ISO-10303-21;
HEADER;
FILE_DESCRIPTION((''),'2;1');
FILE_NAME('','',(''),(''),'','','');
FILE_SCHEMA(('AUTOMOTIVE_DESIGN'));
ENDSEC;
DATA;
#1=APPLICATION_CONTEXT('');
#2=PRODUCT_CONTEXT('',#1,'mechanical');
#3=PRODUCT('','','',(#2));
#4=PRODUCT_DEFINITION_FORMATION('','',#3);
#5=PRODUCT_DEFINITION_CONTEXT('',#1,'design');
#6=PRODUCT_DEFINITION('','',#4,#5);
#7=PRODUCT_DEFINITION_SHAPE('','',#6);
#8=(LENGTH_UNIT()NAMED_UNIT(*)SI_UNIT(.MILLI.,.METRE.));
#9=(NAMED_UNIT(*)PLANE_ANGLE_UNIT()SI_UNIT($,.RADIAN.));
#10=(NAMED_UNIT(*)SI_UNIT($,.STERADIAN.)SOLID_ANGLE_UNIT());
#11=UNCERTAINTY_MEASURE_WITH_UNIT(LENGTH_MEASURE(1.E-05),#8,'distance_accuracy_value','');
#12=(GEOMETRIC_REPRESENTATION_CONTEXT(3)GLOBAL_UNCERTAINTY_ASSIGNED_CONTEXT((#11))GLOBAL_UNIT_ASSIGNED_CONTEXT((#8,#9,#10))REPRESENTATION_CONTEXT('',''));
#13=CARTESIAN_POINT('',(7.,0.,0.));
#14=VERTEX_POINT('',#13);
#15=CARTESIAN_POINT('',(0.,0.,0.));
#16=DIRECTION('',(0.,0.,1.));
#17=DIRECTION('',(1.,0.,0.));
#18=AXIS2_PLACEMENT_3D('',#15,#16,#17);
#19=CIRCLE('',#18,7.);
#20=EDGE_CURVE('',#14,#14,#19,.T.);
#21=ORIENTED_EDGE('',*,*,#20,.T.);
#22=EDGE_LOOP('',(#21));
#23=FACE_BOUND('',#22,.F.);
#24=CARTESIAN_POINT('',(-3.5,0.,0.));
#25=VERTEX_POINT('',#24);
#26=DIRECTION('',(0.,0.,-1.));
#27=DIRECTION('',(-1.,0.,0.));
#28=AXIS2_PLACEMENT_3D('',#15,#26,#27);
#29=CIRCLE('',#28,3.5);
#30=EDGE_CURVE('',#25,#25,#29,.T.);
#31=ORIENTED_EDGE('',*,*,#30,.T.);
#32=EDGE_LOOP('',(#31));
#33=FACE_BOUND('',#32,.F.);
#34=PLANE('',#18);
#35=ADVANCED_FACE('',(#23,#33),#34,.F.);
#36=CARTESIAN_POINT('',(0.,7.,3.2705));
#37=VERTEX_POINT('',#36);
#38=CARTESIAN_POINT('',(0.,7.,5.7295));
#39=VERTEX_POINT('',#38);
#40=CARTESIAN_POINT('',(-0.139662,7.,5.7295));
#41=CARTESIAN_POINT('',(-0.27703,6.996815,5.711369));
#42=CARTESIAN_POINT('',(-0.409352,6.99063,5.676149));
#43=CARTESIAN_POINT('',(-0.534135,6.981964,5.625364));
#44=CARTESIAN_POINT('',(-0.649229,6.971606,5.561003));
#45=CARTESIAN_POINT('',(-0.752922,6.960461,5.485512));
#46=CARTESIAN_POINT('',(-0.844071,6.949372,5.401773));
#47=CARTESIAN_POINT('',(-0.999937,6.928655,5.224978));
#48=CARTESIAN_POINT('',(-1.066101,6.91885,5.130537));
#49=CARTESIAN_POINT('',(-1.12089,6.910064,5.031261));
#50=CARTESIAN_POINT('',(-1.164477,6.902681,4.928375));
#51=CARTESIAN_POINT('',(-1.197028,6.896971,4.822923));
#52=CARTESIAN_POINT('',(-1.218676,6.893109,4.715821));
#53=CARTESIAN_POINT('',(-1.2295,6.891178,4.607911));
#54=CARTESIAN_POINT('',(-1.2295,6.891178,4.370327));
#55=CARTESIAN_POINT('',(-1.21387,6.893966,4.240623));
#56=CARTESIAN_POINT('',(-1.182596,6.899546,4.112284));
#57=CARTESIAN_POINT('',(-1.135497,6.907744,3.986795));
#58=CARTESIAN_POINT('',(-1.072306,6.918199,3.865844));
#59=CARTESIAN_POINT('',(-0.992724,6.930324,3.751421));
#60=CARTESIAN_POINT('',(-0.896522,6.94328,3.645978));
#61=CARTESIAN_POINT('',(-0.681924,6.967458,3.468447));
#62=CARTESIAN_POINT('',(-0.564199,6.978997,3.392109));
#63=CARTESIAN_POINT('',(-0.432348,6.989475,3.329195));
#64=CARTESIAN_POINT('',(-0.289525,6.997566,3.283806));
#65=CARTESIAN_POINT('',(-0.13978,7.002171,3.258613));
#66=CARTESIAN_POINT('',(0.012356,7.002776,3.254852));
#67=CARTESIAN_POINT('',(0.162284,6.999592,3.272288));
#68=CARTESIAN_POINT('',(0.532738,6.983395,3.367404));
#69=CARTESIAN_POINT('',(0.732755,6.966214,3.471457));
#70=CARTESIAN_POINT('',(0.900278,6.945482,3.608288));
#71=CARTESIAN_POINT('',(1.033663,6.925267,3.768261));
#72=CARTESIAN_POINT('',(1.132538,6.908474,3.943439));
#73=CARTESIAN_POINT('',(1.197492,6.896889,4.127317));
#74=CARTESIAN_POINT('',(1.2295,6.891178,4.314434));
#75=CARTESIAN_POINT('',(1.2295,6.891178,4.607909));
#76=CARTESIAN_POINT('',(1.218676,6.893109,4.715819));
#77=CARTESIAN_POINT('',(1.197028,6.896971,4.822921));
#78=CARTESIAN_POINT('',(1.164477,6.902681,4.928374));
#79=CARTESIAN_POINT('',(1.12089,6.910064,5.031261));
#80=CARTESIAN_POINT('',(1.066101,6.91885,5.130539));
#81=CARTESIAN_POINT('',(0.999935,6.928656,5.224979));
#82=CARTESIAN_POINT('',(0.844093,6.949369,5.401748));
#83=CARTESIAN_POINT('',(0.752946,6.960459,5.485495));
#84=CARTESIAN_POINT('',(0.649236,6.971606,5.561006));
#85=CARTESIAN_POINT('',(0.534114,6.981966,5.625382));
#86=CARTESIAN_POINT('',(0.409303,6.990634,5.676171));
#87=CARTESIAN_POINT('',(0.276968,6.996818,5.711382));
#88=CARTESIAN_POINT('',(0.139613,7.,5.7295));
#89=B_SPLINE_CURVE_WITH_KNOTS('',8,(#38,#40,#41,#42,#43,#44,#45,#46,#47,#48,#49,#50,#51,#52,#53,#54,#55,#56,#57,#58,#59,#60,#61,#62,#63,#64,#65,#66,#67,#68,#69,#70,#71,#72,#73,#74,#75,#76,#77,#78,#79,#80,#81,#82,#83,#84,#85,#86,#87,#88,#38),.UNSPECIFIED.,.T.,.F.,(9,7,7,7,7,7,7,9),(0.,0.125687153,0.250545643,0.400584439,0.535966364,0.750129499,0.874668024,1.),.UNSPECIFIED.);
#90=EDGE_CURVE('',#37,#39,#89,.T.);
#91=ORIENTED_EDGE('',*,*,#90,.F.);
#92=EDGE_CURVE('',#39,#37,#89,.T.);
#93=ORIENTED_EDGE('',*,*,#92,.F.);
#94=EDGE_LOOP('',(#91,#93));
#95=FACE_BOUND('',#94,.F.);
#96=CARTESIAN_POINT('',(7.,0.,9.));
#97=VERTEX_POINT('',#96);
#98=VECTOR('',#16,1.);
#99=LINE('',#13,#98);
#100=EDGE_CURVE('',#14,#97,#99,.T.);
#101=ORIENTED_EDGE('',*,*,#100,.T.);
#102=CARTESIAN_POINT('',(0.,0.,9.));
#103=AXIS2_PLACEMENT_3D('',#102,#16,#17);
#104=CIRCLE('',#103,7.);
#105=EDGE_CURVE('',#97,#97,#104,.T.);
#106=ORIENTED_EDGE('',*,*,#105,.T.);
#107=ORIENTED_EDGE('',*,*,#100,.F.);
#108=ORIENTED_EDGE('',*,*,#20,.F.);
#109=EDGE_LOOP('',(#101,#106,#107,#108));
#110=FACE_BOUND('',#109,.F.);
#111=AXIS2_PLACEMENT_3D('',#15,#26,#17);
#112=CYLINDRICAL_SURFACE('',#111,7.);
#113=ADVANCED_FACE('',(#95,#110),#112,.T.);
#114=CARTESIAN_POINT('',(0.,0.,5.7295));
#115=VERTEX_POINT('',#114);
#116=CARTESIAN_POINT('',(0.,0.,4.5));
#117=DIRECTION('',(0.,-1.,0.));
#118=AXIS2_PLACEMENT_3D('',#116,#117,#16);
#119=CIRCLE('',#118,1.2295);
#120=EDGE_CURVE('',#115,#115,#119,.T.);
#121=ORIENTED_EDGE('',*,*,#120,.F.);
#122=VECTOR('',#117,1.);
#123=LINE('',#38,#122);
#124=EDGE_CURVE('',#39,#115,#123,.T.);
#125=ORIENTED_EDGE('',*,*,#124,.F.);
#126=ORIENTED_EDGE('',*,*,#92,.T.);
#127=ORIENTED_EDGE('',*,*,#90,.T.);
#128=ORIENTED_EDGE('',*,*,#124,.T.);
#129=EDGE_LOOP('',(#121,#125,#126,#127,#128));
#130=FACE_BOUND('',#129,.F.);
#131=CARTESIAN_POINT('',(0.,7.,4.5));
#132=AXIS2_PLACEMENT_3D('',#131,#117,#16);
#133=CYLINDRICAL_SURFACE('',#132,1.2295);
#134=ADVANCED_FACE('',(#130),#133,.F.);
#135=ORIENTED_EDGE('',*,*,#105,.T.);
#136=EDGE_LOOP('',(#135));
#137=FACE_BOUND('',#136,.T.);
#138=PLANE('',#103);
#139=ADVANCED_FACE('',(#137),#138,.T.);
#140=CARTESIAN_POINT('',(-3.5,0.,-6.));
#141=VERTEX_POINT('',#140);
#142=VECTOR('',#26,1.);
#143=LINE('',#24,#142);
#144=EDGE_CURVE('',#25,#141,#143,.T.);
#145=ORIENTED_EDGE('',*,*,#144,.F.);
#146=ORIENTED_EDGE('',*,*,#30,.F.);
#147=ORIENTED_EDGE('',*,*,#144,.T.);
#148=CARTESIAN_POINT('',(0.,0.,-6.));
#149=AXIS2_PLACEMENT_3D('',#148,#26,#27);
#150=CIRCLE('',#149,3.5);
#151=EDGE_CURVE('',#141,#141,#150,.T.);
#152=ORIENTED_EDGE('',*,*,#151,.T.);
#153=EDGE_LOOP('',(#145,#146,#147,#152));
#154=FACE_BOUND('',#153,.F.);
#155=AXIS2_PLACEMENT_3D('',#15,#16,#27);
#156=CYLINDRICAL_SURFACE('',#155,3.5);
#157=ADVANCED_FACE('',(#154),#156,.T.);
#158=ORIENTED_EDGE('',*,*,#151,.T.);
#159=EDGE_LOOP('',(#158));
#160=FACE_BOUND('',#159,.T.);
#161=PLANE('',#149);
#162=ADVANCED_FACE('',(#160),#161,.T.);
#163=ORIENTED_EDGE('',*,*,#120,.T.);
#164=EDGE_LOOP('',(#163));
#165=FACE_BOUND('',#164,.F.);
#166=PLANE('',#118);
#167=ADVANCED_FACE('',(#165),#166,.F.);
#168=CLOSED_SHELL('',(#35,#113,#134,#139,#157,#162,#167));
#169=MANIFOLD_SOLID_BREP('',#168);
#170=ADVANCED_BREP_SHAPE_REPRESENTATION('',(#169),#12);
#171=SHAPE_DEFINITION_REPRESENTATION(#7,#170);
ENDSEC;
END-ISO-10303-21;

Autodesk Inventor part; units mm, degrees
ref_plane "YZ Plane" through (0, 0, 0) normal (1, 0, 0) x (0, 1, 0)
ref_plane "XZ Plane" through (0, 0, 0) normal (0, 1, 0) x (-1, 0, 0)
sketch "Sketch1" plane through (0, 0, 0) normal (0, 0, 1) x (1, 0, 0)
  circle A0 centre (0, 0) radius 7
  dimension "d0" = 14
extrude "Extrusion1" add sketch "Sketch1" along normal blind 9
ref_plane "Work Plane1" through (-7, 7, 9) normal (0, 1, 0) x (1, 0, 0)
sketch "Sketch3" plane through (-7, 7, 9) normal (0, 1, 0) x (1, 0, 0)
  circle A0 centre (7, 4.5) radius 1.2
  dimension "d9" = 2.4
hole "Hole1" at (0, 7, 4.5) direction (0, -1, 0) diameter 2.459 depth 7 thread size "M3x0.5" designation "M3" class "6H" standard "GB Metric profile"
sketch "Sketch4" plane through (0, 0, 0) normal (0, 0, -1) x (-1, 0, 0)
  circle A0 centre (0, 0) radius 7 projected
  circle A1 centre (0, 0) radius 3.5
  dimension "d17" = 7
extrude "Extrusion3" add sketch "Sketch4" along normal blind 6 contours A1
properties part number "gear hridel"
